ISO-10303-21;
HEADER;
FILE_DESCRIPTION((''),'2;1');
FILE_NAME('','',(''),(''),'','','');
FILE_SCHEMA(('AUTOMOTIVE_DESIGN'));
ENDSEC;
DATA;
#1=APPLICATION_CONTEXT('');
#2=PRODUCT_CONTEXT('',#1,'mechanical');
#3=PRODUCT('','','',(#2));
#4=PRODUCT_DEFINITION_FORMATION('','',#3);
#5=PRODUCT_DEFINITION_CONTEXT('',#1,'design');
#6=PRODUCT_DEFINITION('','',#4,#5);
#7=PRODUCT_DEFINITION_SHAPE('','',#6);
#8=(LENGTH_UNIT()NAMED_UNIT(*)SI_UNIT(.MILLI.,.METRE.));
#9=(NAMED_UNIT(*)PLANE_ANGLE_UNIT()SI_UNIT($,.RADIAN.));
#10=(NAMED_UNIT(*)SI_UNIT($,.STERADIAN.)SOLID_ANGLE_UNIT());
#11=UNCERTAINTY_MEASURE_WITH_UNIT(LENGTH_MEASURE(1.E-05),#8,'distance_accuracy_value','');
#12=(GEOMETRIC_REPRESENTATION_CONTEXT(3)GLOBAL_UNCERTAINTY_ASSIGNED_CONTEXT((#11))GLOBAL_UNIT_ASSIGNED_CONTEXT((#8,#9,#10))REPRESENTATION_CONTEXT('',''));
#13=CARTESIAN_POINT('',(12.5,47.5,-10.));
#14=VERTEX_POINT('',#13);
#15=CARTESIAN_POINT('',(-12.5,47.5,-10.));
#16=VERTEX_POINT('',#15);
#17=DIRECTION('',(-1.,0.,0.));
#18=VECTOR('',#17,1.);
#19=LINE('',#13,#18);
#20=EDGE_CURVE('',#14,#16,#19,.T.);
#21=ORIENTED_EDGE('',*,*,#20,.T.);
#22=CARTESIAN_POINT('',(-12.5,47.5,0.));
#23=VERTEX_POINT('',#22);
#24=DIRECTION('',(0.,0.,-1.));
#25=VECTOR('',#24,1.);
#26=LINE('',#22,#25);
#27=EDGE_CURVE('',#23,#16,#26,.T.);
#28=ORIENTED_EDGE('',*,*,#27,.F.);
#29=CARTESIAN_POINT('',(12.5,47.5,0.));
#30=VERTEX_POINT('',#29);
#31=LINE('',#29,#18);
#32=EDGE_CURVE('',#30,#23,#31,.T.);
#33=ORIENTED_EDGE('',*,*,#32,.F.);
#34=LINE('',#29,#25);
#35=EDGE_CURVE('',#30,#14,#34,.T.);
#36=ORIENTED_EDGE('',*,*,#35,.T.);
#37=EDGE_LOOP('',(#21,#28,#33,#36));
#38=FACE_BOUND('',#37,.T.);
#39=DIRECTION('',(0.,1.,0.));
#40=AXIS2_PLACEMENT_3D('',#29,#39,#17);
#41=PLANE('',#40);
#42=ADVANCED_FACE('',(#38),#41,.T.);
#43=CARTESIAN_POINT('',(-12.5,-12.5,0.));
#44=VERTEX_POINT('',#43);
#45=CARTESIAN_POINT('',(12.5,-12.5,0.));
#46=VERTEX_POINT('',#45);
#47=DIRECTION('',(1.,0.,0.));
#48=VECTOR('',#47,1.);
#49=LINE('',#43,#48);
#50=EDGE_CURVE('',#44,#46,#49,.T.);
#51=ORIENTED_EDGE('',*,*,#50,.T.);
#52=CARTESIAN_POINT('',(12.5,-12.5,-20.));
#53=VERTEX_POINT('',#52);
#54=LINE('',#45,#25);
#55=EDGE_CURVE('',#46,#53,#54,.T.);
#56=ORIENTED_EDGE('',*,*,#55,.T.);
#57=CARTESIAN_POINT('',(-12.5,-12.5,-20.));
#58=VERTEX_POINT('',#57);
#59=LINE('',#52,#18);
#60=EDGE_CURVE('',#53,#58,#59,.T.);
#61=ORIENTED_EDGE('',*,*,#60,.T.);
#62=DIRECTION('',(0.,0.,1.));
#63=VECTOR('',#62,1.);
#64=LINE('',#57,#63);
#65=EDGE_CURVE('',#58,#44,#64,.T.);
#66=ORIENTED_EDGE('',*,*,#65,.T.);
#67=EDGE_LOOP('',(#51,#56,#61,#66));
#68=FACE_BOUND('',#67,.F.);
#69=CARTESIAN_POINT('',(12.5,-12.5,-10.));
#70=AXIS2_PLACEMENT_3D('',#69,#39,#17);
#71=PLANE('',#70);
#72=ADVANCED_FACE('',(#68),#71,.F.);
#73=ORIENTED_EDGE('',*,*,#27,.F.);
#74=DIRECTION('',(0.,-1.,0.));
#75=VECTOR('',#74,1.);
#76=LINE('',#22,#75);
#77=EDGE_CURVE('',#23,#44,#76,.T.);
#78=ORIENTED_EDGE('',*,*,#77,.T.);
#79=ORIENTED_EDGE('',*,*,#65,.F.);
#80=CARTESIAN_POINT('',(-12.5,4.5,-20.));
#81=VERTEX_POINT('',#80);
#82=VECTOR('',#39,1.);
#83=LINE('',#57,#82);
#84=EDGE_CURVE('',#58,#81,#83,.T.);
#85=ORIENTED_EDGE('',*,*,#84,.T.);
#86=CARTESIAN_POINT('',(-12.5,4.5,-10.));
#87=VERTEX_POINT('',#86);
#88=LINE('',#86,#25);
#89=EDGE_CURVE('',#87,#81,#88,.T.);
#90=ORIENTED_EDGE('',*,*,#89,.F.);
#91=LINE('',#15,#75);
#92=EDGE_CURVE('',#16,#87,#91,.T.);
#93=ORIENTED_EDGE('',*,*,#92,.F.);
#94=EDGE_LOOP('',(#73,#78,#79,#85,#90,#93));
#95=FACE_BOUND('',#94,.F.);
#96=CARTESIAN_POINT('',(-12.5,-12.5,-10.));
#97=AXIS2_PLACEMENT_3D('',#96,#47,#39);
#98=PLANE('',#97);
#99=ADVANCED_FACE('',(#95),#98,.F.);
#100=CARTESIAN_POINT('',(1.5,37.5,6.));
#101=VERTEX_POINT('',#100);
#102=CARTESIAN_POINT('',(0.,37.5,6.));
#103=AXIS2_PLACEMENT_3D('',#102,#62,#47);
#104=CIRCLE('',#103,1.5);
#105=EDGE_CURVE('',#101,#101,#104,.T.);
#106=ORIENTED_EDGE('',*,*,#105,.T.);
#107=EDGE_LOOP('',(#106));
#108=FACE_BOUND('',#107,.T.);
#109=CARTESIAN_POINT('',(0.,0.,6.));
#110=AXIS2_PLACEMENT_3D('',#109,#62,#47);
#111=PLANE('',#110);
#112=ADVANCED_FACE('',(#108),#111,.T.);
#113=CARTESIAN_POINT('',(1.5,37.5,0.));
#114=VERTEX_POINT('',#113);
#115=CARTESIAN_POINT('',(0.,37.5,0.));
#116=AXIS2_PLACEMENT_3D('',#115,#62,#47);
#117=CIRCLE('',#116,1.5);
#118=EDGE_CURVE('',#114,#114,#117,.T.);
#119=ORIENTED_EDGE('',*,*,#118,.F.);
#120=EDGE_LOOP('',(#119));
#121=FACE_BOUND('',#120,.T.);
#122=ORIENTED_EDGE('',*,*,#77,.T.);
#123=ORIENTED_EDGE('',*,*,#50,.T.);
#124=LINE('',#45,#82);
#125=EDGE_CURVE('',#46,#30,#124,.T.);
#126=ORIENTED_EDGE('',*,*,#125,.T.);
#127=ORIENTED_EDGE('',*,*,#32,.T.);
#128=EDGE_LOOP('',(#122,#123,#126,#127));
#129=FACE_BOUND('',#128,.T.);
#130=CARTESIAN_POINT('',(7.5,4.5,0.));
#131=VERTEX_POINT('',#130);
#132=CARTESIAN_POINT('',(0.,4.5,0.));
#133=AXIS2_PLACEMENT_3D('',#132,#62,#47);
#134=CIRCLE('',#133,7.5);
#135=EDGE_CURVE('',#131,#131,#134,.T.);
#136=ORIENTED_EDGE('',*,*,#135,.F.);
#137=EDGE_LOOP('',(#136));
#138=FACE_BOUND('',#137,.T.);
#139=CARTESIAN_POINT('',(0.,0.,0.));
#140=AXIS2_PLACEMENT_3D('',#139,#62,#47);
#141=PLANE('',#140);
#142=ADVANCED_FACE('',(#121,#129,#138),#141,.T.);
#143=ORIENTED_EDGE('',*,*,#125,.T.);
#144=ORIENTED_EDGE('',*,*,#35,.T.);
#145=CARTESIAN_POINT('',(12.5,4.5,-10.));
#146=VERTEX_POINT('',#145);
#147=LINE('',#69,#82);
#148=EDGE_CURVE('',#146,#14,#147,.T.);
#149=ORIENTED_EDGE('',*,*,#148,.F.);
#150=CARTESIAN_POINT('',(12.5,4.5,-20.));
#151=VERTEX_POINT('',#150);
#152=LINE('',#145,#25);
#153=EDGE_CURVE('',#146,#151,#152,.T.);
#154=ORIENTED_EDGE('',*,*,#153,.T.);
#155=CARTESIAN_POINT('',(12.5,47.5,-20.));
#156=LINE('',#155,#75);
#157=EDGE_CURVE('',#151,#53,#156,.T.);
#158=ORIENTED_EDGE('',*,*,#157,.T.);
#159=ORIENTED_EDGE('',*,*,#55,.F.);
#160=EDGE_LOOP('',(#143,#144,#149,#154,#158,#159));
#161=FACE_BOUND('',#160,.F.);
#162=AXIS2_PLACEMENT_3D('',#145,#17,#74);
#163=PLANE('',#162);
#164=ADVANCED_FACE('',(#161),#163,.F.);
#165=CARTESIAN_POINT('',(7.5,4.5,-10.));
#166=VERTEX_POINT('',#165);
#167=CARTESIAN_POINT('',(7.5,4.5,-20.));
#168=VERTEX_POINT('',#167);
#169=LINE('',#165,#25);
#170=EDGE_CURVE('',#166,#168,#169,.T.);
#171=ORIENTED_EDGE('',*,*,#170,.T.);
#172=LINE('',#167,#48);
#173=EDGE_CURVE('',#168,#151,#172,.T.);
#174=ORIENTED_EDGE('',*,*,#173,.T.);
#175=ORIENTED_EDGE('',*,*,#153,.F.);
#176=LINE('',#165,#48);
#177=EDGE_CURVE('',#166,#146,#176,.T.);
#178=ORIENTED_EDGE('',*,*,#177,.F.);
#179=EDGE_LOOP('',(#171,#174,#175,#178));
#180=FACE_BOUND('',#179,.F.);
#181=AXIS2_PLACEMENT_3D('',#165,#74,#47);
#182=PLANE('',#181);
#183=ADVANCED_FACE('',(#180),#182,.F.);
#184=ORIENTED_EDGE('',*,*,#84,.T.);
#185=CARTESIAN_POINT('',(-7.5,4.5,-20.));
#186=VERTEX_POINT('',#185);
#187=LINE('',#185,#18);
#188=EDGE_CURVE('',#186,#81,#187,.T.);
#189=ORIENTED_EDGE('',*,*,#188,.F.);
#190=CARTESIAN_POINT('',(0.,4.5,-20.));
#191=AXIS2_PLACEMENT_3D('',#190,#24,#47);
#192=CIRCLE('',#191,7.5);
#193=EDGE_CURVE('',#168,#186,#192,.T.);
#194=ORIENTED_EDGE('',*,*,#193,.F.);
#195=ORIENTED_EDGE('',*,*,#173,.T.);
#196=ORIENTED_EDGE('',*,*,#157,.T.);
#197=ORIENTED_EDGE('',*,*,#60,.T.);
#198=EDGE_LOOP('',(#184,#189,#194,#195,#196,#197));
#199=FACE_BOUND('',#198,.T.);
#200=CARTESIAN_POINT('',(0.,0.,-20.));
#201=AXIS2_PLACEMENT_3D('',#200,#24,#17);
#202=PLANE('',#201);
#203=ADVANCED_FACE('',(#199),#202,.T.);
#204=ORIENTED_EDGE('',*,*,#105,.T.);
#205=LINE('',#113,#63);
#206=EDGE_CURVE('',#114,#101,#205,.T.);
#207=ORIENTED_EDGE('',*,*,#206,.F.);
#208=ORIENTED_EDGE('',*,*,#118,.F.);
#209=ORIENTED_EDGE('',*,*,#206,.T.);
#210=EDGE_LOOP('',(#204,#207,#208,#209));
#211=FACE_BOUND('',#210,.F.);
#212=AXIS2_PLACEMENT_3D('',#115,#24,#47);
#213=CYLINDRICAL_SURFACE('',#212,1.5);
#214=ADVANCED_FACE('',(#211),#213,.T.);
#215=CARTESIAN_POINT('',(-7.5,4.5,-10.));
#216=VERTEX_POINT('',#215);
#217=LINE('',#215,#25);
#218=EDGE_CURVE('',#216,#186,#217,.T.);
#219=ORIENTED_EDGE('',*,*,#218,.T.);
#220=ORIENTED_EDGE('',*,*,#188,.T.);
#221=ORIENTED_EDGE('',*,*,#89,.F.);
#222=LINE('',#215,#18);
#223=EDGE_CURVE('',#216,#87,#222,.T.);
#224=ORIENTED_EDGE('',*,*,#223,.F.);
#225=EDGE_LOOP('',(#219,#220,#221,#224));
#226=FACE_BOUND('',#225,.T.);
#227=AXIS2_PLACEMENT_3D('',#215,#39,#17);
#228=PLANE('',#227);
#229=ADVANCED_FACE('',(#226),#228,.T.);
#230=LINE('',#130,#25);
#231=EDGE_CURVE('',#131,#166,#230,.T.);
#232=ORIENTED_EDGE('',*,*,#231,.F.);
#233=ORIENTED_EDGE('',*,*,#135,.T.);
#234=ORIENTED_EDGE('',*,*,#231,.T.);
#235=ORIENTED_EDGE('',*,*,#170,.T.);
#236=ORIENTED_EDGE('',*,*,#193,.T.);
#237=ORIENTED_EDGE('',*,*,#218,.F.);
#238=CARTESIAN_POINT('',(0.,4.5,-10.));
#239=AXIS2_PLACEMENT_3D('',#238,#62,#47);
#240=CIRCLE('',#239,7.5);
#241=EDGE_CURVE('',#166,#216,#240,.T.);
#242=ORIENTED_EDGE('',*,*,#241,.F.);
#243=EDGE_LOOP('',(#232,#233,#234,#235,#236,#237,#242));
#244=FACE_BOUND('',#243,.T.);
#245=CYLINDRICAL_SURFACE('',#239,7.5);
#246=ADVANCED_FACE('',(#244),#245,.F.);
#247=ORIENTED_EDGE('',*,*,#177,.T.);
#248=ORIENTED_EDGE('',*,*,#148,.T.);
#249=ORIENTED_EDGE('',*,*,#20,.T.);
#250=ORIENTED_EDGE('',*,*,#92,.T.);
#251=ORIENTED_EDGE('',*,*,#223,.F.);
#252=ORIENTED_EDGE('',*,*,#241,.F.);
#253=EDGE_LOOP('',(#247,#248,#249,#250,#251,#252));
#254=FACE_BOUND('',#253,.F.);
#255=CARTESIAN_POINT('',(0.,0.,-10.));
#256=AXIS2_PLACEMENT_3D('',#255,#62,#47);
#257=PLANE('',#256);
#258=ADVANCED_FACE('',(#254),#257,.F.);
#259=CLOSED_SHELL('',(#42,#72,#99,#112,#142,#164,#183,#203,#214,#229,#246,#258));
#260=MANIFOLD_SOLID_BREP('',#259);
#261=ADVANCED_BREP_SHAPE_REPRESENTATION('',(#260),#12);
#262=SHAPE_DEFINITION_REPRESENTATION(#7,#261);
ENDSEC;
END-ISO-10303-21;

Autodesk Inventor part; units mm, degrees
ref_plane "YZ Plane" through (0, 0, 0) normal (1, 0, 0) x (0, 1, 0)
ref_plane "XZ Plane" through (0, 0, 0) normal (0, 1, 0) x (-1, 0, 0)
ref_plane "XY Plane" through (0, 0, 0) normal (0, 0, 1) x (1, 0, 0)
sketch "Sketch1" plane through (0, 0, 0) normal (0, 0, 1) x (1, 0, 0)
  line L0 (-12.5, -12.5) -> (12.5, -12.5)
  line L1 (12.5, -12.5) -> (12.5, 47.5)
  line L2 (12.5, 47.5) -> (-12.5, 47.5)
  line L3 (-12.5, 47.5) -> (-12.5, -12.5)
  point P0 (0, 0)
  dimension "d0" = 60
  dimension "d1" = 25
  dimension "d2" = 12.5
  dimension "d5" = 12.5
extrude "Extrusion1" add sketch "Sketch1" against normal blind 10
sketch "Sketch2" plane through (0, 0, 0) normal (0, 0, 1) x (1, 0, 0)
  circle A0 centre (0, 37.5) radius 1.5
  point P0 (0, 0)
  dimension "d8" = 3
  dimension "d29" = 37.5
extrude "Extrusion2" add sketch "Sketch2" along normal blind 6
thread "Thread1" size "M3x0.5" class "6g" standard "ANSI Metric M Profile" full length
sketch "Sketch3" plane through (0, 0, -10) normal (0, 0, -1) x (-1, 0, 0)
  line L0 (-7.5, 4.5) -> (-12.5, 4.5)
  line L1 (-12.5, 47.5) -> (-12.5, -12.5) projected
  line L2 (-12.5, -12.5) -> (12.5, -12.5) projected
  line L3 (-12.5, -12.5) -> (12.5, -12.5)
  line L4 (12.5, -12.5) -> (12.5, 4.5)
  line L5 (12.5, -12.5) -> (12.5, 47.5) projected
  line L6 (7.5, 4.5) -> (12.5, 4.5)
  arc A0 (-7.5, 4.5) -> (7.5, 4.5) centre (0, 4.5) ccw
  point P0 (0, 0)
  dimension "d20" = 17
  dimension "d21" = 5
  dimension "d22" = 5
  dimension "d25" = 7.5
extrude "Extrusion3" add sketch "Sketch3" along normal blind 10
sketch "Sketch5" plane through (0, 0, 0) normal (0, 0, 1) x (1, 0, 0)
  circle A0 centre (0, 4.5) radius 7.5
  point P0 (0, 0)
  dimension "d26" = 15
extrude "Extrusion5" cut sketch "Sketch5" against normal blind 10
equation "\"d2\" = 0.5 * d1"
properties part number "bottom_part"
